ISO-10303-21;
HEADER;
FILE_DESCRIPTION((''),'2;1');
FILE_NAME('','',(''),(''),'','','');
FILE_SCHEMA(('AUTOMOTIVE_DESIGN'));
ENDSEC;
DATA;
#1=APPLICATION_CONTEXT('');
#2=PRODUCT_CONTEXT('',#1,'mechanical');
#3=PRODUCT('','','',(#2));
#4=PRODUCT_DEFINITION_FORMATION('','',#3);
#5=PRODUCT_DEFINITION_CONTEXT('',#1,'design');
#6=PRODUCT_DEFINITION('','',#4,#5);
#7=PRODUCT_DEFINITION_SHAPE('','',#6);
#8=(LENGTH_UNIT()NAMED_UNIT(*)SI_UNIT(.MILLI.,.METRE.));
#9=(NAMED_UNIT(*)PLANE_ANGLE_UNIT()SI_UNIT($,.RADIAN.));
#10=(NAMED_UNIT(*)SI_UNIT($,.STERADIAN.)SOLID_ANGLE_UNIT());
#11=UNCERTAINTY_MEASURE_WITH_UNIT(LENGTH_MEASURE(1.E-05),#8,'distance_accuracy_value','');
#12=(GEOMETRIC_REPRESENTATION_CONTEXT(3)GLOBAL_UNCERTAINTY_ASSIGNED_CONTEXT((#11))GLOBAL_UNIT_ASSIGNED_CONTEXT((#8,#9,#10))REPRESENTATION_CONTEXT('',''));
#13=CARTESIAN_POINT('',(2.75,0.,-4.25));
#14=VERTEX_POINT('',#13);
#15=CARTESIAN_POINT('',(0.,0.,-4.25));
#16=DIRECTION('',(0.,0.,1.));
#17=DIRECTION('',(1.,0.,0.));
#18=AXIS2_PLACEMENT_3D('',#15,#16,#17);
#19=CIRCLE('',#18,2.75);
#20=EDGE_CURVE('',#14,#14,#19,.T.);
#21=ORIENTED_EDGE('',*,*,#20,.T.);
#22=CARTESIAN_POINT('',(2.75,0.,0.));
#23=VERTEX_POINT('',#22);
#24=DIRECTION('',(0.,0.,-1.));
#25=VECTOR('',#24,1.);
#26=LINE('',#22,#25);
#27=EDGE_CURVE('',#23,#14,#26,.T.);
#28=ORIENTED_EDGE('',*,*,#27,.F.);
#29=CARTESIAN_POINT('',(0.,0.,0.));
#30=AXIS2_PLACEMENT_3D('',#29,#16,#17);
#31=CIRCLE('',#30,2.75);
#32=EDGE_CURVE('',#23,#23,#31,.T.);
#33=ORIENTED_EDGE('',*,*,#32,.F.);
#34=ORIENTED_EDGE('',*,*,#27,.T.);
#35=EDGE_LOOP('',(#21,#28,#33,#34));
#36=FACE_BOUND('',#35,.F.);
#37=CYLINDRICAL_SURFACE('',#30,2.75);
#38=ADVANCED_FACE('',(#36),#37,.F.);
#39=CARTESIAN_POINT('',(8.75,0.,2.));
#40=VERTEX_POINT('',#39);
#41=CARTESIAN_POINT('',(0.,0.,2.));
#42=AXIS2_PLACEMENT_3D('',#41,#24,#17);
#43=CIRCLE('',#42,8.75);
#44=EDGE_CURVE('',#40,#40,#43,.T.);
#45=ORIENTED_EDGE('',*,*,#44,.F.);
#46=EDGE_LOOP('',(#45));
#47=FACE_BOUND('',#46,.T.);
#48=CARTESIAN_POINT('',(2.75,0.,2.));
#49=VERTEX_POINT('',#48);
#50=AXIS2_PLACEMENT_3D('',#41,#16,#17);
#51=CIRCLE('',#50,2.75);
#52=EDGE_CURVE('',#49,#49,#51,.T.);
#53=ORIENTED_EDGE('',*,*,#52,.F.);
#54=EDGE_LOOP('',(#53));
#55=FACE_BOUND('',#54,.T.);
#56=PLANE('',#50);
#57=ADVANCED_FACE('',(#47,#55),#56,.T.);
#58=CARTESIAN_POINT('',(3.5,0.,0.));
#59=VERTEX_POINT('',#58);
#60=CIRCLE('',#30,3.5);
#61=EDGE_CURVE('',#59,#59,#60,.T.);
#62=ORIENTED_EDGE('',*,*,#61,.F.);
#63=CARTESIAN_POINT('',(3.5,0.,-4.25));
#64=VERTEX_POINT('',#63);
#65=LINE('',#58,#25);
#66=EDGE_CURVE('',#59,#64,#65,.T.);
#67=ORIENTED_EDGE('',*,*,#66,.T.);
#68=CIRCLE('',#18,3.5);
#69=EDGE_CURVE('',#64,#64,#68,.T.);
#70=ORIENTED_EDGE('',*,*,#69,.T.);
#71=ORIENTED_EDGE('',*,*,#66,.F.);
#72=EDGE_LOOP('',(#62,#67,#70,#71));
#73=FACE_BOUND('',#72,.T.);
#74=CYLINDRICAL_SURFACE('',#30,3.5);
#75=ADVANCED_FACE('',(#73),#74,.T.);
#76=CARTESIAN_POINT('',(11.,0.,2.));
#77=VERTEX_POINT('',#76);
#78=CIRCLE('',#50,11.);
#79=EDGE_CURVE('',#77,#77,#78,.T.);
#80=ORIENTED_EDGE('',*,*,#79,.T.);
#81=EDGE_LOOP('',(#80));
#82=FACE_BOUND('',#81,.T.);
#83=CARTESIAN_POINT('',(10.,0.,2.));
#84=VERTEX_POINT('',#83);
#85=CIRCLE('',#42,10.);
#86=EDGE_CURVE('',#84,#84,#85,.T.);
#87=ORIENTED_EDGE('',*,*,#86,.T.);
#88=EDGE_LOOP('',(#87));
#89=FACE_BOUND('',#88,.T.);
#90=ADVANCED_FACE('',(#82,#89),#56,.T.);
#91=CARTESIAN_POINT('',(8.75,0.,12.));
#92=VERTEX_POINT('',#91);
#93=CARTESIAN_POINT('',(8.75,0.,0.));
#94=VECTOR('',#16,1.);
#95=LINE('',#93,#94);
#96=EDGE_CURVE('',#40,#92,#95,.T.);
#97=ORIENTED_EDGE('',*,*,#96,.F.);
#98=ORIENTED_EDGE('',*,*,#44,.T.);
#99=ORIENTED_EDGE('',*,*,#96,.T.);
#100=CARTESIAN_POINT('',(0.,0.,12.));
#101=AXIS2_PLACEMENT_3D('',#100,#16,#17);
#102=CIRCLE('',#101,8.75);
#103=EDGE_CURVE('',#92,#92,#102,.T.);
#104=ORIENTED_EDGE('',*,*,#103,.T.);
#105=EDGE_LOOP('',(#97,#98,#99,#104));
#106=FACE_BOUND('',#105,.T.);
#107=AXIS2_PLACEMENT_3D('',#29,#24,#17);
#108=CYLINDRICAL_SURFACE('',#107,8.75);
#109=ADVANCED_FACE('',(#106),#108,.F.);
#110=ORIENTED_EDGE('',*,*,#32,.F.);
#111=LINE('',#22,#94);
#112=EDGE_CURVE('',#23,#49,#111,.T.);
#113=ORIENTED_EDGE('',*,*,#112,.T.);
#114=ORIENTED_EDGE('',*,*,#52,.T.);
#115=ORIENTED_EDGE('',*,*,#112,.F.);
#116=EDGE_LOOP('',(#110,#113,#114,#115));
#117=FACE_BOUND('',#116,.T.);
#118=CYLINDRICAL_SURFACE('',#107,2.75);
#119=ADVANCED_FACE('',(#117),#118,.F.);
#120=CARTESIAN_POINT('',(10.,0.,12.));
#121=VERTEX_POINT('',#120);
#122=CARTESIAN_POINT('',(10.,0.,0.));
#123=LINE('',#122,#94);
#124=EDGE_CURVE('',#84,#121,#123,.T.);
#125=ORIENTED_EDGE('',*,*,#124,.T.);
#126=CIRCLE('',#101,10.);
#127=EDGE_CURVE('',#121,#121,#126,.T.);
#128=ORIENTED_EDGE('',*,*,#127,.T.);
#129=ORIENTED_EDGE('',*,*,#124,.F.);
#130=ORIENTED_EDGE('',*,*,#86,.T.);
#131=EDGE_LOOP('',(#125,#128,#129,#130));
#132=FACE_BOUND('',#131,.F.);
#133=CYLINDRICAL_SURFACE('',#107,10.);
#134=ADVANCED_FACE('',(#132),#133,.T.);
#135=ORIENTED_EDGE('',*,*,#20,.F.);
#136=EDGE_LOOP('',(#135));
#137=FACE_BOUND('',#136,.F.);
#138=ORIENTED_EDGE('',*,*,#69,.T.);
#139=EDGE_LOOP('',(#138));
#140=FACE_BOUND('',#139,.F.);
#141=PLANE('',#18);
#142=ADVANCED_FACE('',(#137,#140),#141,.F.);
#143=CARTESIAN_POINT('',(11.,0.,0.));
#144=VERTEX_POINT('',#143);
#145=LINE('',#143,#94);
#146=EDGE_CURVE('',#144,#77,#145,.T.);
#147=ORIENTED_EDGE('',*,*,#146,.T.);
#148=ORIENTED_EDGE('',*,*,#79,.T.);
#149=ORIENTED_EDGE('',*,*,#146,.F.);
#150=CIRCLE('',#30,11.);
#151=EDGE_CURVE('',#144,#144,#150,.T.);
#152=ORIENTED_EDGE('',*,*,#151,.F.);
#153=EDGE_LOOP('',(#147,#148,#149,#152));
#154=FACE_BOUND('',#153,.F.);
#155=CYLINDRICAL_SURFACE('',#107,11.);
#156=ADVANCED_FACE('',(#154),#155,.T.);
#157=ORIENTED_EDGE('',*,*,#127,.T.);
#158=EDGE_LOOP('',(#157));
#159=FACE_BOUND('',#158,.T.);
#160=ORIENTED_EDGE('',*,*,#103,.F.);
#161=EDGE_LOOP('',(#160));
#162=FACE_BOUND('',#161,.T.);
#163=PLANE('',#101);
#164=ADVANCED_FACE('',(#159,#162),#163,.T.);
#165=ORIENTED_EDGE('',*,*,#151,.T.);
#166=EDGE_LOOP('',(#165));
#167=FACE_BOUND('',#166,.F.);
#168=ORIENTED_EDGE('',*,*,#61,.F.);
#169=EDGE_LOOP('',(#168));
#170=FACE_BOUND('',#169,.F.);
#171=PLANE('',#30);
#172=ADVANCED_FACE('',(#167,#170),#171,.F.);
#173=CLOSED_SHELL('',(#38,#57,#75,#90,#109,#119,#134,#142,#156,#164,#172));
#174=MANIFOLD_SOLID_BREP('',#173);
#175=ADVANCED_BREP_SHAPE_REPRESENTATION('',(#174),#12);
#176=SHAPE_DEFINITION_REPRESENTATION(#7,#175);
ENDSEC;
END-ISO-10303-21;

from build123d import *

# Parameters (mm, degrees)
F0_R     = 11
F0_R_2   = 10
F0_R_3   = 8.75
F0_R_4   = 7.25
F0_R_5   = 3.5
F0_R_6   = 2.75
F1_DEPTH = 2
F2_DEPTH = 4.25
F3_DEPTH = 12


with BuildPart() as f1:
    # F0 (on Top) → F1 (new body)
    with BuildSketch(Plane.XY):
        Circle(F0_R)
        Circle(F0_R_2, mode=Mode.SUBTRACT)
        Circle(F0_R_2)
        Circle(F0_R_3, mode=Mode.SUBTRACT)
        Circle(F0_R_3)
        Circle(F0_R_4, mode=Mode.SUBTRACT)
        Circle(F0_R_4)
        Circle(F0_R_5, mode=Mode.SUBTRACT)
        Circle(F0_R_5)
        Circle(F0_R_6, mode=Mode.SUBTRACT)
    extrude(amount=F1_DEPTH)

    # F0 (on Top) → F2 (join)
    with BuildSketch(Plane.XY):
        Circle(F0_R_5)
        Circle(F0_R_6, mode=Mode.SUBTRACT)
    extrude(amount=-F2_DEPTH)

    # F0 (on Top) → F3 (join)
    with BuildSketch(Plane.XY):
        Circle(F0_R_2)
        Circle(F0_R_3, mode=Mode.SUBTRACT)
    extrude(amount=F3_DEPTH)


solid = f1.part
